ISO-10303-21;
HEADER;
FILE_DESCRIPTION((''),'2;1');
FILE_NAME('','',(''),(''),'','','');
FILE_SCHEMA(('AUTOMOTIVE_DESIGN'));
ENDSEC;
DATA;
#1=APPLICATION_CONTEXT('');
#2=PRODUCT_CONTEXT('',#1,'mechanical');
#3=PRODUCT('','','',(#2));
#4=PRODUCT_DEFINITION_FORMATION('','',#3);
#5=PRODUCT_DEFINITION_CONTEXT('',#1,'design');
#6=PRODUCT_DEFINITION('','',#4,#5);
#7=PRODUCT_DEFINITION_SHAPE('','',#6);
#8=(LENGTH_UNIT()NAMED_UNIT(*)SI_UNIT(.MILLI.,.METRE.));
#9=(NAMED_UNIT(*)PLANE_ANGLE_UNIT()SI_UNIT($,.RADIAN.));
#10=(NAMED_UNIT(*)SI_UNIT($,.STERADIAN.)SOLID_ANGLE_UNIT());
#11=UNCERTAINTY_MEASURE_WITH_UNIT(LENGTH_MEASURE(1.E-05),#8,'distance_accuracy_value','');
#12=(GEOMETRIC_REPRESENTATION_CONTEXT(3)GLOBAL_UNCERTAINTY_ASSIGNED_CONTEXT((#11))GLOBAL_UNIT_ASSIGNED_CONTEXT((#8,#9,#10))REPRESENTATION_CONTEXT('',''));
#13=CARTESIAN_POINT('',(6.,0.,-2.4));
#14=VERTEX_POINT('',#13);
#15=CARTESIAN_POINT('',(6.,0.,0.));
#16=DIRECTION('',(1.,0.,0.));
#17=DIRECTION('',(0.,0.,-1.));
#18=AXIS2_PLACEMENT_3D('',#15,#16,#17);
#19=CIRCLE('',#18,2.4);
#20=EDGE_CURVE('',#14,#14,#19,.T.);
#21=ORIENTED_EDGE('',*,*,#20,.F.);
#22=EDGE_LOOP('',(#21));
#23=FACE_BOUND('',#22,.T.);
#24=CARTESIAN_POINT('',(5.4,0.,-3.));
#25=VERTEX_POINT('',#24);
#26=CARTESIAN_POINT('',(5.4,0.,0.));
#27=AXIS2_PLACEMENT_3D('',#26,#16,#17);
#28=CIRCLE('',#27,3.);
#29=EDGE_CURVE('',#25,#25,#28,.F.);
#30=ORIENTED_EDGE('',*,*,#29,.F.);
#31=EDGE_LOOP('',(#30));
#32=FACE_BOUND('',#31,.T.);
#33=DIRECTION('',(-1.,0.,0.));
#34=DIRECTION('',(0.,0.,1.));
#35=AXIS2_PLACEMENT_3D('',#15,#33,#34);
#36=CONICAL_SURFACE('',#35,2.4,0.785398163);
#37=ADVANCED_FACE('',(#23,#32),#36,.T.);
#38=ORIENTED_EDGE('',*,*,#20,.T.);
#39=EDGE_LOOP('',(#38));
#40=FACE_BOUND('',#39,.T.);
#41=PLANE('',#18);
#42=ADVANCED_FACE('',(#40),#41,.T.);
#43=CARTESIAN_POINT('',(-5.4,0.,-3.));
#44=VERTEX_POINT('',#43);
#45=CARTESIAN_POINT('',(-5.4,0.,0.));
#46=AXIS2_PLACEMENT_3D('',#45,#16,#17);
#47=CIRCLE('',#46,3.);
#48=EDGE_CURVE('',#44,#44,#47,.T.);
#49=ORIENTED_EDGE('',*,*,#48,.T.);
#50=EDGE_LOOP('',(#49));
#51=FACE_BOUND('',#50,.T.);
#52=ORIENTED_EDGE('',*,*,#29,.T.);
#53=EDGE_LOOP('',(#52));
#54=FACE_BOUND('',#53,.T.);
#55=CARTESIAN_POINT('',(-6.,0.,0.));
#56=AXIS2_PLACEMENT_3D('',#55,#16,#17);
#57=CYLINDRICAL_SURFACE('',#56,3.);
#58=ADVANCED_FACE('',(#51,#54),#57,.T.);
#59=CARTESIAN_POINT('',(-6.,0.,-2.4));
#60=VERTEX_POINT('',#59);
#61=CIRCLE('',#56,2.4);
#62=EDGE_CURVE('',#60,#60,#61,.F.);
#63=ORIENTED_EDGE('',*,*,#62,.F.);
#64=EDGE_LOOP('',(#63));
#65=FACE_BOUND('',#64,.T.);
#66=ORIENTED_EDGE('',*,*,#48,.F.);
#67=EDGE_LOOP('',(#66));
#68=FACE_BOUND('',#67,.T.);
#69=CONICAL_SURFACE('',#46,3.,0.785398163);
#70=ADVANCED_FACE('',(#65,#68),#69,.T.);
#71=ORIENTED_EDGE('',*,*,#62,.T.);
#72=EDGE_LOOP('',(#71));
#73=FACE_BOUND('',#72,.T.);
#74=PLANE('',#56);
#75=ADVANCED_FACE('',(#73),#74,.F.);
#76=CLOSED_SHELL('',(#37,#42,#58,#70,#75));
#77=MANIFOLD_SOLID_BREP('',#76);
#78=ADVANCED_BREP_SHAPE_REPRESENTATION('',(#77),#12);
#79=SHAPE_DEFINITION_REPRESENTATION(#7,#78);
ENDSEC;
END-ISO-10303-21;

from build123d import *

# Parameters (mm, degrees)
SKETCH2_R           = 3
BOSS_EXTRUDE1_DEPTH = 6
CHAMFER2_SIZE       = 0.6


with BuildPart() as part:
    # Sketch2 → Boss-Extrude1 (new, symmetric)
    with BuildSketch(Plane(origin=(0, 0, 0), x_dir=(0, 0, -1), z_dir=(1, 0, 0))):
        Circle(SKETCH2_R)
    extrude(amount=BOSS_EXTRUDE1_DEPTH, both=True)

    # Chamfer2
    chamfer2_edges = [part.edges().sort_by_distance(p)[0] for p in [
        (6, 0, 3),
        (-6, 0, 3),
    ]]
    chamfer(chamfer2_edges, length=CHAMFER2_SIZE)


solid = part.part
